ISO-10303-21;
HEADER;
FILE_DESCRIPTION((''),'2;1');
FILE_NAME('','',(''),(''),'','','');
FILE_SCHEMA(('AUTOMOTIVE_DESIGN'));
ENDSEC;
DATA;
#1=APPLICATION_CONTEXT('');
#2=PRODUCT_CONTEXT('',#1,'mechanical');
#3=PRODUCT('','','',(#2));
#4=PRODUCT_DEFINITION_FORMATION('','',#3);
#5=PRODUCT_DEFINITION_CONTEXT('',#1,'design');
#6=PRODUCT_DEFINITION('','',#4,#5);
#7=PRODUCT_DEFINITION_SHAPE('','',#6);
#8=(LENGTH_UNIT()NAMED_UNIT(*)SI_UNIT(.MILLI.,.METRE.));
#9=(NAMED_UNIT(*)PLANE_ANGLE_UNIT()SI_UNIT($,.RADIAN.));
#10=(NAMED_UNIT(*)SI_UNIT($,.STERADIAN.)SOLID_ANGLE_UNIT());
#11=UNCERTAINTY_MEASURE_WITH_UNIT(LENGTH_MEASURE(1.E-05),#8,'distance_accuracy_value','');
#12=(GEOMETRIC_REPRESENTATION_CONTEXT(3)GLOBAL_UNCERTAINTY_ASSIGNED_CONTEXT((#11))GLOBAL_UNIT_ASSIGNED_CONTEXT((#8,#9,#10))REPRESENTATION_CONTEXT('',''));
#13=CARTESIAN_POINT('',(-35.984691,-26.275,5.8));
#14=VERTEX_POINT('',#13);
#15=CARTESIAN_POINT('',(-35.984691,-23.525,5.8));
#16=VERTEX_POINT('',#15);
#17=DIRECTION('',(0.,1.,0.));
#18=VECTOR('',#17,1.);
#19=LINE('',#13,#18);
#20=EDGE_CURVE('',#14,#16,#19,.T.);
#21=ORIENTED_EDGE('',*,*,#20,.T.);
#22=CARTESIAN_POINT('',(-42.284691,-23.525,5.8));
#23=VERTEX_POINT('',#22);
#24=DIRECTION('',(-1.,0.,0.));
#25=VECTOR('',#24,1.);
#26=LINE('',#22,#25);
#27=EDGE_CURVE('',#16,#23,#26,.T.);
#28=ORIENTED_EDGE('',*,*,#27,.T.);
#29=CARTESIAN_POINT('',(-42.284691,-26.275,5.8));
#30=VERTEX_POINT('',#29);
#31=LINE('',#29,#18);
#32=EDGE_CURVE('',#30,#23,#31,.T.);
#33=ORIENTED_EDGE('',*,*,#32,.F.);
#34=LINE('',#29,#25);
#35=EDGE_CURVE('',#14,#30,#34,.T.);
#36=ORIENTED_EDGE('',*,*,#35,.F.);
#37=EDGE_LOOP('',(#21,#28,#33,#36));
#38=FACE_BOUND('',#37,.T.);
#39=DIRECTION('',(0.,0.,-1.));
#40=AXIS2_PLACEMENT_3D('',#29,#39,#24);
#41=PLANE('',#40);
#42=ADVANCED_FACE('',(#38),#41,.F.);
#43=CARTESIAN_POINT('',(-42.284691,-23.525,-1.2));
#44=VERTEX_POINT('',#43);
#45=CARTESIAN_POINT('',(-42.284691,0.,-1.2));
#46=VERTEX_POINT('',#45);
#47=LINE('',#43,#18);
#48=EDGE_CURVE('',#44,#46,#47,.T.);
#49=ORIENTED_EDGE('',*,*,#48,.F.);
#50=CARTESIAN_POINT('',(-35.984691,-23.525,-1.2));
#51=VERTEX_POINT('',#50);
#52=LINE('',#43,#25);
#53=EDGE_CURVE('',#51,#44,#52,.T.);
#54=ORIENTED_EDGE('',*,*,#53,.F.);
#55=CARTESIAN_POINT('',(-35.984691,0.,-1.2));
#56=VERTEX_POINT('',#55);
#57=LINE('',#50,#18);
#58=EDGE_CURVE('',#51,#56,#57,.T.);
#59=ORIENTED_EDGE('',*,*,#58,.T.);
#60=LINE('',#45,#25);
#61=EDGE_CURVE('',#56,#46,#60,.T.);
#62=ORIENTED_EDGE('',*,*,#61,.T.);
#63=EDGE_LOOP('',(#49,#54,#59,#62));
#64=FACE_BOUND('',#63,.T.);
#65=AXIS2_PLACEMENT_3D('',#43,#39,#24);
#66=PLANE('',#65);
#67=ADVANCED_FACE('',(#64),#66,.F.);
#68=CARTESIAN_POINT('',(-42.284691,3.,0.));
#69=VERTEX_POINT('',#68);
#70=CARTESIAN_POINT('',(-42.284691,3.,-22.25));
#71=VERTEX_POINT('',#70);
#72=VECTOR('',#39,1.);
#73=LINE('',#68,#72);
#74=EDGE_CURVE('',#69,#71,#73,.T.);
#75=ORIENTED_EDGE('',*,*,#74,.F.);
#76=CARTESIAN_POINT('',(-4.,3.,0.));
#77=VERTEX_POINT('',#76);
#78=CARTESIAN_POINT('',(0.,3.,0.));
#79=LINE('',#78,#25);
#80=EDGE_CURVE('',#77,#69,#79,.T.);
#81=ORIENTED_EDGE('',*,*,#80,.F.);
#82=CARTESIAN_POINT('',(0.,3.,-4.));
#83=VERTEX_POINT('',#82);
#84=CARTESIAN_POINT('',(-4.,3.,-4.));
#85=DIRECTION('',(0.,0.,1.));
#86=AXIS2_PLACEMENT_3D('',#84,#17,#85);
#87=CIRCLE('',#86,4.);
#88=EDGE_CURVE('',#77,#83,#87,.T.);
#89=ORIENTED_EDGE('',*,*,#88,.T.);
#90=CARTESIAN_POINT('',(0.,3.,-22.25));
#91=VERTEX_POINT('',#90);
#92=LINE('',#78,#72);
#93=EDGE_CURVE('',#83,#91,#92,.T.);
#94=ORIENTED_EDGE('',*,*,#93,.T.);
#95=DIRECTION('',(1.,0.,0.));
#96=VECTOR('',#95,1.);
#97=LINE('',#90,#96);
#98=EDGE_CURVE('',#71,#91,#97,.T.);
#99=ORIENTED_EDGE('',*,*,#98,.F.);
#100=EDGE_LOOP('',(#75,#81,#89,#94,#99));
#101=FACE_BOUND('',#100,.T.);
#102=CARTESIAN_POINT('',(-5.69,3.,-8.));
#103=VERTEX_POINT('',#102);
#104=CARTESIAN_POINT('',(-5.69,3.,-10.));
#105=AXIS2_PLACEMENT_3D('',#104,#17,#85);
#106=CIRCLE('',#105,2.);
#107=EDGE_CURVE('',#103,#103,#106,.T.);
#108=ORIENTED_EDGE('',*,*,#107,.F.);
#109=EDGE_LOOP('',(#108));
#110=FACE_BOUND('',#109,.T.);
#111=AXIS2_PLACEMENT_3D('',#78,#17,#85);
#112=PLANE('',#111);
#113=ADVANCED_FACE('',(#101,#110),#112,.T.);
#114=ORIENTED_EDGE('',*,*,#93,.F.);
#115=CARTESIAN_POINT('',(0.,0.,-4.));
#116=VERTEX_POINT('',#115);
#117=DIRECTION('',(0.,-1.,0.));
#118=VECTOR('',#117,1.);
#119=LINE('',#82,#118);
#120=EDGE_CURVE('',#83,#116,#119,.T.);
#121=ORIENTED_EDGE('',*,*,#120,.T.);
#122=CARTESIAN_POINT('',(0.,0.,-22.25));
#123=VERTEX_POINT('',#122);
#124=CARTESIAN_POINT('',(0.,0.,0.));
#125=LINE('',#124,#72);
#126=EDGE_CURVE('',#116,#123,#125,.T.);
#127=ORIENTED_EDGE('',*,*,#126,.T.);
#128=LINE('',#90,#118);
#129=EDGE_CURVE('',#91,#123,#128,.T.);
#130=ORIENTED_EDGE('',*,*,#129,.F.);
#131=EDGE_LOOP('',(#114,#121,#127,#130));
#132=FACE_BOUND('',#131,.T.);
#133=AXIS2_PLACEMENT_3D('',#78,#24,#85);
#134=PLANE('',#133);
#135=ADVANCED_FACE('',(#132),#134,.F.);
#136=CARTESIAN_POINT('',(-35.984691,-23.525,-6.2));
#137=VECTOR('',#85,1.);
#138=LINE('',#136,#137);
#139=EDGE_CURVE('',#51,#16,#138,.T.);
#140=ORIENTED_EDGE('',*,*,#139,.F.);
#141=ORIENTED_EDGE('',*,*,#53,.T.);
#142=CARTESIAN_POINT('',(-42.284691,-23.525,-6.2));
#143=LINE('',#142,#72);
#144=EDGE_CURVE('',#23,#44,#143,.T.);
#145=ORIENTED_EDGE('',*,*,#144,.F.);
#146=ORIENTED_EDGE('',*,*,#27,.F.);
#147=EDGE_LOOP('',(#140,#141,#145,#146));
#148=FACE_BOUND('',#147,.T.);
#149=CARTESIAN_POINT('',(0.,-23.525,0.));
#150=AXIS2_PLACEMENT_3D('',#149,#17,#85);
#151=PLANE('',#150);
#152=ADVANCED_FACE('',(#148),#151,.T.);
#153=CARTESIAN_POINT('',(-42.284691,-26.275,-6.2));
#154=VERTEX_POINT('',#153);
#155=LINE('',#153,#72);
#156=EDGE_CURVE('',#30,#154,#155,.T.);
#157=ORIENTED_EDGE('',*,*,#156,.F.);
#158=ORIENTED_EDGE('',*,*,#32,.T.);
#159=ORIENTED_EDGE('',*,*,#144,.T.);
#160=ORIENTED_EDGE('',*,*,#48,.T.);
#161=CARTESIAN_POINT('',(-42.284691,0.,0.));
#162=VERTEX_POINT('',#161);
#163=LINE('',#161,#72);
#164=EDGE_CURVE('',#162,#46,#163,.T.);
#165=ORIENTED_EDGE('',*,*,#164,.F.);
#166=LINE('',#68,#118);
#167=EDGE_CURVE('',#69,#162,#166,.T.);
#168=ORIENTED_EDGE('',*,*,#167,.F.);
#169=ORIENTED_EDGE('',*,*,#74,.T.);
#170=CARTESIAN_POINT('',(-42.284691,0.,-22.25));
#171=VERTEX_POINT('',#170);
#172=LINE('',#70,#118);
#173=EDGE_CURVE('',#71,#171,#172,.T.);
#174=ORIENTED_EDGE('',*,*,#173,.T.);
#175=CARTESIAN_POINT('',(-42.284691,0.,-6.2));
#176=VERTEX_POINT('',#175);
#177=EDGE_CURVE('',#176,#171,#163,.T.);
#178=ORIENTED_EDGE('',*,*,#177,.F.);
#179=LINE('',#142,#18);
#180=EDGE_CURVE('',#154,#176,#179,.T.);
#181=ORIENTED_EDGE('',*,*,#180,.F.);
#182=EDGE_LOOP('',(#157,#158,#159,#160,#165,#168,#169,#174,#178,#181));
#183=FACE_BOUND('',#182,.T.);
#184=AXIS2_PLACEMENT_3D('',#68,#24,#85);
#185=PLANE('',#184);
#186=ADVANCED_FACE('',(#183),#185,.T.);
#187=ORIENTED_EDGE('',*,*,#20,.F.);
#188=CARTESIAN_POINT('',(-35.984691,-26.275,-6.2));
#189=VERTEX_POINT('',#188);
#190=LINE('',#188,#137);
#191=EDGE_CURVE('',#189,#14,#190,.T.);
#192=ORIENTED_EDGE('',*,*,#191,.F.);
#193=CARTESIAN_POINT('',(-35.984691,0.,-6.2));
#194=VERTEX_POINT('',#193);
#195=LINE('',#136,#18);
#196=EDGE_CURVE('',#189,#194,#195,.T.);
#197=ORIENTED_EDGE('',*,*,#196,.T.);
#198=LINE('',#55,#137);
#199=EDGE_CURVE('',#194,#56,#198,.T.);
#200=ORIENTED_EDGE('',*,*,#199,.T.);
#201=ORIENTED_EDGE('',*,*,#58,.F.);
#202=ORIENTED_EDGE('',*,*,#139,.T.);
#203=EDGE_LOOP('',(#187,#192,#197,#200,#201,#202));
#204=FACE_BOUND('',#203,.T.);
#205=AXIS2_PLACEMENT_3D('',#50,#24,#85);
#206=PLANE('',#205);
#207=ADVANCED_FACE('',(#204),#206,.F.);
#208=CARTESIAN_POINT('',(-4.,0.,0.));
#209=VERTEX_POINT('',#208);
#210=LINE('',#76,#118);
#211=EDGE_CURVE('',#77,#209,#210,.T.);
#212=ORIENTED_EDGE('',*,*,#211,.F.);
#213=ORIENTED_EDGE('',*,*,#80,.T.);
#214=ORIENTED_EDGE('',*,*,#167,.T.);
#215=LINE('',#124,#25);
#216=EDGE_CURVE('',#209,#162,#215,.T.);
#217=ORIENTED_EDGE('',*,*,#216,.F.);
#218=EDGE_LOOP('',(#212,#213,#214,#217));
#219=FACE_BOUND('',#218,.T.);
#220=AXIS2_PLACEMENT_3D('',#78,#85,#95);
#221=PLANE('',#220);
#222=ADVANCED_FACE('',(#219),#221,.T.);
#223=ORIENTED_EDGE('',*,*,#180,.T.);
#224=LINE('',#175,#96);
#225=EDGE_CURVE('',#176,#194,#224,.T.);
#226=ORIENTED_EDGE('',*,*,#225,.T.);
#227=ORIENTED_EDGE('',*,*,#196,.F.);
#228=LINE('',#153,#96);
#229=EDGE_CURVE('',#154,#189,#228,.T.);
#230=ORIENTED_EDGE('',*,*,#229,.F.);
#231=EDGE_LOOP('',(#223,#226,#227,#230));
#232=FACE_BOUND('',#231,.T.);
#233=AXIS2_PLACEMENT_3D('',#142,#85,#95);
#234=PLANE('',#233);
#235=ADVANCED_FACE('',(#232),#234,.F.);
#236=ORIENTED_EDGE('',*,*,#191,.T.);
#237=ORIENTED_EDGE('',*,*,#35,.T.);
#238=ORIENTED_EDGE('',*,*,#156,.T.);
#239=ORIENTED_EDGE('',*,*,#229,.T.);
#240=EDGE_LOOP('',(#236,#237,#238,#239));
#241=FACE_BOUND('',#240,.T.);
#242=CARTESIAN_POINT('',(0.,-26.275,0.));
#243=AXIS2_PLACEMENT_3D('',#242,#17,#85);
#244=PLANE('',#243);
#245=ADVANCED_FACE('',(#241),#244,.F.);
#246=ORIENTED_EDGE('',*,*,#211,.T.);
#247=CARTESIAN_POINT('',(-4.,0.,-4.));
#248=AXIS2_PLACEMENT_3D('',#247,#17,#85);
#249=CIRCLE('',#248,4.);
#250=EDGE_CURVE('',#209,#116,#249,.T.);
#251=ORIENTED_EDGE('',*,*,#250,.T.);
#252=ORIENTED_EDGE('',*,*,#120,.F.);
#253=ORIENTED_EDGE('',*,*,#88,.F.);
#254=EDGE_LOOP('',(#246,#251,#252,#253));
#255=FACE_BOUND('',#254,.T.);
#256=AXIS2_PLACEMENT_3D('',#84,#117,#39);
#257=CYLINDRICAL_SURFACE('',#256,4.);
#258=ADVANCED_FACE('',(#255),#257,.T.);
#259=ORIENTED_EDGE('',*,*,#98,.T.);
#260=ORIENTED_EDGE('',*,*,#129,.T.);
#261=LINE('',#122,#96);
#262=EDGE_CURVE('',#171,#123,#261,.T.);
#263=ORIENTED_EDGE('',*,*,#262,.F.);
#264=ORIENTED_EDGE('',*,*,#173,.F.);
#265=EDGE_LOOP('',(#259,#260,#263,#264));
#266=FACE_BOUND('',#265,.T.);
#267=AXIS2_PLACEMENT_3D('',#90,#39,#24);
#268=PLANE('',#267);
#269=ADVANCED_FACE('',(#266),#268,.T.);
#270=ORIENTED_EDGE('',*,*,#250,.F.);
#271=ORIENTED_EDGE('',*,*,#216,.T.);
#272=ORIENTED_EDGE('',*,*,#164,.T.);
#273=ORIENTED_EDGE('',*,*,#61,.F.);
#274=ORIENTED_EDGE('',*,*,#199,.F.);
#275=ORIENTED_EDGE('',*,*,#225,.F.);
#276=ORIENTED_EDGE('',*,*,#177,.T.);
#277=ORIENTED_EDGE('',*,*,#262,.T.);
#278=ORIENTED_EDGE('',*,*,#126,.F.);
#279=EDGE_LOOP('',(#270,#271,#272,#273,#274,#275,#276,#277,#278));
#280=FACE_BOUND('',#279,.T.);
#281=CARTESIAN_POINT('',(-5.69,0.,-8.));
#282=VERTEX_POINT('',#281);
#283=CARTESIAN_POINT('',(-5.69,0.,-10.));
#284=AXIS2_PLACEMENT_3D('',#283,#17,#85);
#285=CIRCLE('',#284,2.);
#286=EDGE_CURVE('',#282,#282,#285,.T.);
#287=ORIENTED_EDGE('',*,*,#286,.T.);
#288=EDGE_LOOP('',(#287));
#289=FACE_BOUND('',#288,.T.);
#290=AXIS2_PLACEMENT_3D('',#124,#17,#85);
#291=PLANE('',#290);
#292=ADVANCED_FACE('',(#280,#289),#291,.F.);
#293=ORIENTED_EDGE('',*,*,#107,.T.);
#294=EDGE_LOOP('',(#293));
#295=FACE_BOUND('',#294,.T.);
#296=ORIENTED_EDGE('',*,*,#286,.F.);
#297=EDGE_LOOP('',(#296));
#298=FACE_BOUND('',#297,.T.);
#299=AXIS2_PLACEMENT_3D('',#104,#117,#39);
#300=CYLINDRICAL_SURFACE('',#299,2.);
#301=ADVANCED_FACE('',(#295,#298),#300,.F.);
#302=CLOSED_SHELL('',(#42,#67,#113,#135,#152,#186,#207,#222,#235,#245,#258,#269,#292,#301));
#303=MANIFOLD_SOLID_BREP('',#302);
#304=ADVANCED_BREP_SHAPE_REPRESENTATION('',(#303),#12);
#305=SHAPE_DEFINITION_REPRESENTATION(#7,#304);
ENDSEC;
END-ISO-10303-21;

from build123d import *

# Parameters (mm, degrees)
SKETCH1_R           = 2
SKETCH1_W           = 6.3
SKETCH1_H           = 5
BOSS_EXTRUDE1_DEPTH = 3
SKETCH4_W           = 6.3
SKETCH4_H           = 5
BOSS_EXTRUDE3_DEPTH = 23.525
SKETCH5_W           = 6.3
SKETCH5_H           = 12
BOSS_EXTRUDE4_DEPTH = 2.75


with BuildPart() as part:
    # Sketch1 → Boss-Extrude1 (new body)
    # profile 1 of 2: a face of its own
    with BuildSketch(Plane(origin=(0, 0, 0), x_dir=(1, 0, 0), z_dir=(0, 1, 0))):
        with BuildLine():
            Line((-35.984691362, 0), (-4, 0))
            ThreePointArc((-4, 0), (-1.171572875, 1.171572875), (0, 4))
            Line((0, 4), (0, 20))
            Line((0, 20), (0, 22.25))
            Line((0, 22.25), (-42.284691362, 22.25))
            Line((-42.284691362, 22.25), (-42.284691362, 20))
            Line((-42.284691362, 20), (-42.284691362, 5))
            Line((-42.284691362, 5), (-35.984691362, 5))
            Line((-35.984691362, 5), (-35.984691362, 0))
        make_face()
        with Locations(Location((-5.69, 10, 0), (0, 0, 270))):
            Circle(SKETCH1_R, mode=Mode.SUBTRACT)
    # profile 2 of 2: a face of its own
    with BuildSketch(Plane(origin=(0, 0, 0), x_dir=(1, 0, 0), z_dir=(0, 1, 0))):
        with Locations((-39.134691362, 2.5)):
            Rectangle(SKETCH1_W, SKETCH1_H)
    extrude(amount=BOSS_EXTRUDE1_DEPTH)

    # Sketch4 → Boss-Extrude3 (add)
    with BuildSketch(Plane.XZ):
        with Locations((-39.134691362, -3.7)):
            Rectangle(SKETCH4_W, SKETCH4_H)
    extrude(amount=BOSS_EXTRUDE3_DEPTH)

    # Sketch5 → Boss-Extrude4 (add)
    with BuildSketch(Plane(origin=(0, -23.525, 0), x_dir=(-1, 0, 0), z_dir=(0, -1, 0))):
        with Locations((39.134691362, 0.2)):
            Rectangle(SKETCH5_W, SKETCH5_H)
    extrude(amount=BOSS_EXTRUDE4_DEPTH)


solid = part.part
